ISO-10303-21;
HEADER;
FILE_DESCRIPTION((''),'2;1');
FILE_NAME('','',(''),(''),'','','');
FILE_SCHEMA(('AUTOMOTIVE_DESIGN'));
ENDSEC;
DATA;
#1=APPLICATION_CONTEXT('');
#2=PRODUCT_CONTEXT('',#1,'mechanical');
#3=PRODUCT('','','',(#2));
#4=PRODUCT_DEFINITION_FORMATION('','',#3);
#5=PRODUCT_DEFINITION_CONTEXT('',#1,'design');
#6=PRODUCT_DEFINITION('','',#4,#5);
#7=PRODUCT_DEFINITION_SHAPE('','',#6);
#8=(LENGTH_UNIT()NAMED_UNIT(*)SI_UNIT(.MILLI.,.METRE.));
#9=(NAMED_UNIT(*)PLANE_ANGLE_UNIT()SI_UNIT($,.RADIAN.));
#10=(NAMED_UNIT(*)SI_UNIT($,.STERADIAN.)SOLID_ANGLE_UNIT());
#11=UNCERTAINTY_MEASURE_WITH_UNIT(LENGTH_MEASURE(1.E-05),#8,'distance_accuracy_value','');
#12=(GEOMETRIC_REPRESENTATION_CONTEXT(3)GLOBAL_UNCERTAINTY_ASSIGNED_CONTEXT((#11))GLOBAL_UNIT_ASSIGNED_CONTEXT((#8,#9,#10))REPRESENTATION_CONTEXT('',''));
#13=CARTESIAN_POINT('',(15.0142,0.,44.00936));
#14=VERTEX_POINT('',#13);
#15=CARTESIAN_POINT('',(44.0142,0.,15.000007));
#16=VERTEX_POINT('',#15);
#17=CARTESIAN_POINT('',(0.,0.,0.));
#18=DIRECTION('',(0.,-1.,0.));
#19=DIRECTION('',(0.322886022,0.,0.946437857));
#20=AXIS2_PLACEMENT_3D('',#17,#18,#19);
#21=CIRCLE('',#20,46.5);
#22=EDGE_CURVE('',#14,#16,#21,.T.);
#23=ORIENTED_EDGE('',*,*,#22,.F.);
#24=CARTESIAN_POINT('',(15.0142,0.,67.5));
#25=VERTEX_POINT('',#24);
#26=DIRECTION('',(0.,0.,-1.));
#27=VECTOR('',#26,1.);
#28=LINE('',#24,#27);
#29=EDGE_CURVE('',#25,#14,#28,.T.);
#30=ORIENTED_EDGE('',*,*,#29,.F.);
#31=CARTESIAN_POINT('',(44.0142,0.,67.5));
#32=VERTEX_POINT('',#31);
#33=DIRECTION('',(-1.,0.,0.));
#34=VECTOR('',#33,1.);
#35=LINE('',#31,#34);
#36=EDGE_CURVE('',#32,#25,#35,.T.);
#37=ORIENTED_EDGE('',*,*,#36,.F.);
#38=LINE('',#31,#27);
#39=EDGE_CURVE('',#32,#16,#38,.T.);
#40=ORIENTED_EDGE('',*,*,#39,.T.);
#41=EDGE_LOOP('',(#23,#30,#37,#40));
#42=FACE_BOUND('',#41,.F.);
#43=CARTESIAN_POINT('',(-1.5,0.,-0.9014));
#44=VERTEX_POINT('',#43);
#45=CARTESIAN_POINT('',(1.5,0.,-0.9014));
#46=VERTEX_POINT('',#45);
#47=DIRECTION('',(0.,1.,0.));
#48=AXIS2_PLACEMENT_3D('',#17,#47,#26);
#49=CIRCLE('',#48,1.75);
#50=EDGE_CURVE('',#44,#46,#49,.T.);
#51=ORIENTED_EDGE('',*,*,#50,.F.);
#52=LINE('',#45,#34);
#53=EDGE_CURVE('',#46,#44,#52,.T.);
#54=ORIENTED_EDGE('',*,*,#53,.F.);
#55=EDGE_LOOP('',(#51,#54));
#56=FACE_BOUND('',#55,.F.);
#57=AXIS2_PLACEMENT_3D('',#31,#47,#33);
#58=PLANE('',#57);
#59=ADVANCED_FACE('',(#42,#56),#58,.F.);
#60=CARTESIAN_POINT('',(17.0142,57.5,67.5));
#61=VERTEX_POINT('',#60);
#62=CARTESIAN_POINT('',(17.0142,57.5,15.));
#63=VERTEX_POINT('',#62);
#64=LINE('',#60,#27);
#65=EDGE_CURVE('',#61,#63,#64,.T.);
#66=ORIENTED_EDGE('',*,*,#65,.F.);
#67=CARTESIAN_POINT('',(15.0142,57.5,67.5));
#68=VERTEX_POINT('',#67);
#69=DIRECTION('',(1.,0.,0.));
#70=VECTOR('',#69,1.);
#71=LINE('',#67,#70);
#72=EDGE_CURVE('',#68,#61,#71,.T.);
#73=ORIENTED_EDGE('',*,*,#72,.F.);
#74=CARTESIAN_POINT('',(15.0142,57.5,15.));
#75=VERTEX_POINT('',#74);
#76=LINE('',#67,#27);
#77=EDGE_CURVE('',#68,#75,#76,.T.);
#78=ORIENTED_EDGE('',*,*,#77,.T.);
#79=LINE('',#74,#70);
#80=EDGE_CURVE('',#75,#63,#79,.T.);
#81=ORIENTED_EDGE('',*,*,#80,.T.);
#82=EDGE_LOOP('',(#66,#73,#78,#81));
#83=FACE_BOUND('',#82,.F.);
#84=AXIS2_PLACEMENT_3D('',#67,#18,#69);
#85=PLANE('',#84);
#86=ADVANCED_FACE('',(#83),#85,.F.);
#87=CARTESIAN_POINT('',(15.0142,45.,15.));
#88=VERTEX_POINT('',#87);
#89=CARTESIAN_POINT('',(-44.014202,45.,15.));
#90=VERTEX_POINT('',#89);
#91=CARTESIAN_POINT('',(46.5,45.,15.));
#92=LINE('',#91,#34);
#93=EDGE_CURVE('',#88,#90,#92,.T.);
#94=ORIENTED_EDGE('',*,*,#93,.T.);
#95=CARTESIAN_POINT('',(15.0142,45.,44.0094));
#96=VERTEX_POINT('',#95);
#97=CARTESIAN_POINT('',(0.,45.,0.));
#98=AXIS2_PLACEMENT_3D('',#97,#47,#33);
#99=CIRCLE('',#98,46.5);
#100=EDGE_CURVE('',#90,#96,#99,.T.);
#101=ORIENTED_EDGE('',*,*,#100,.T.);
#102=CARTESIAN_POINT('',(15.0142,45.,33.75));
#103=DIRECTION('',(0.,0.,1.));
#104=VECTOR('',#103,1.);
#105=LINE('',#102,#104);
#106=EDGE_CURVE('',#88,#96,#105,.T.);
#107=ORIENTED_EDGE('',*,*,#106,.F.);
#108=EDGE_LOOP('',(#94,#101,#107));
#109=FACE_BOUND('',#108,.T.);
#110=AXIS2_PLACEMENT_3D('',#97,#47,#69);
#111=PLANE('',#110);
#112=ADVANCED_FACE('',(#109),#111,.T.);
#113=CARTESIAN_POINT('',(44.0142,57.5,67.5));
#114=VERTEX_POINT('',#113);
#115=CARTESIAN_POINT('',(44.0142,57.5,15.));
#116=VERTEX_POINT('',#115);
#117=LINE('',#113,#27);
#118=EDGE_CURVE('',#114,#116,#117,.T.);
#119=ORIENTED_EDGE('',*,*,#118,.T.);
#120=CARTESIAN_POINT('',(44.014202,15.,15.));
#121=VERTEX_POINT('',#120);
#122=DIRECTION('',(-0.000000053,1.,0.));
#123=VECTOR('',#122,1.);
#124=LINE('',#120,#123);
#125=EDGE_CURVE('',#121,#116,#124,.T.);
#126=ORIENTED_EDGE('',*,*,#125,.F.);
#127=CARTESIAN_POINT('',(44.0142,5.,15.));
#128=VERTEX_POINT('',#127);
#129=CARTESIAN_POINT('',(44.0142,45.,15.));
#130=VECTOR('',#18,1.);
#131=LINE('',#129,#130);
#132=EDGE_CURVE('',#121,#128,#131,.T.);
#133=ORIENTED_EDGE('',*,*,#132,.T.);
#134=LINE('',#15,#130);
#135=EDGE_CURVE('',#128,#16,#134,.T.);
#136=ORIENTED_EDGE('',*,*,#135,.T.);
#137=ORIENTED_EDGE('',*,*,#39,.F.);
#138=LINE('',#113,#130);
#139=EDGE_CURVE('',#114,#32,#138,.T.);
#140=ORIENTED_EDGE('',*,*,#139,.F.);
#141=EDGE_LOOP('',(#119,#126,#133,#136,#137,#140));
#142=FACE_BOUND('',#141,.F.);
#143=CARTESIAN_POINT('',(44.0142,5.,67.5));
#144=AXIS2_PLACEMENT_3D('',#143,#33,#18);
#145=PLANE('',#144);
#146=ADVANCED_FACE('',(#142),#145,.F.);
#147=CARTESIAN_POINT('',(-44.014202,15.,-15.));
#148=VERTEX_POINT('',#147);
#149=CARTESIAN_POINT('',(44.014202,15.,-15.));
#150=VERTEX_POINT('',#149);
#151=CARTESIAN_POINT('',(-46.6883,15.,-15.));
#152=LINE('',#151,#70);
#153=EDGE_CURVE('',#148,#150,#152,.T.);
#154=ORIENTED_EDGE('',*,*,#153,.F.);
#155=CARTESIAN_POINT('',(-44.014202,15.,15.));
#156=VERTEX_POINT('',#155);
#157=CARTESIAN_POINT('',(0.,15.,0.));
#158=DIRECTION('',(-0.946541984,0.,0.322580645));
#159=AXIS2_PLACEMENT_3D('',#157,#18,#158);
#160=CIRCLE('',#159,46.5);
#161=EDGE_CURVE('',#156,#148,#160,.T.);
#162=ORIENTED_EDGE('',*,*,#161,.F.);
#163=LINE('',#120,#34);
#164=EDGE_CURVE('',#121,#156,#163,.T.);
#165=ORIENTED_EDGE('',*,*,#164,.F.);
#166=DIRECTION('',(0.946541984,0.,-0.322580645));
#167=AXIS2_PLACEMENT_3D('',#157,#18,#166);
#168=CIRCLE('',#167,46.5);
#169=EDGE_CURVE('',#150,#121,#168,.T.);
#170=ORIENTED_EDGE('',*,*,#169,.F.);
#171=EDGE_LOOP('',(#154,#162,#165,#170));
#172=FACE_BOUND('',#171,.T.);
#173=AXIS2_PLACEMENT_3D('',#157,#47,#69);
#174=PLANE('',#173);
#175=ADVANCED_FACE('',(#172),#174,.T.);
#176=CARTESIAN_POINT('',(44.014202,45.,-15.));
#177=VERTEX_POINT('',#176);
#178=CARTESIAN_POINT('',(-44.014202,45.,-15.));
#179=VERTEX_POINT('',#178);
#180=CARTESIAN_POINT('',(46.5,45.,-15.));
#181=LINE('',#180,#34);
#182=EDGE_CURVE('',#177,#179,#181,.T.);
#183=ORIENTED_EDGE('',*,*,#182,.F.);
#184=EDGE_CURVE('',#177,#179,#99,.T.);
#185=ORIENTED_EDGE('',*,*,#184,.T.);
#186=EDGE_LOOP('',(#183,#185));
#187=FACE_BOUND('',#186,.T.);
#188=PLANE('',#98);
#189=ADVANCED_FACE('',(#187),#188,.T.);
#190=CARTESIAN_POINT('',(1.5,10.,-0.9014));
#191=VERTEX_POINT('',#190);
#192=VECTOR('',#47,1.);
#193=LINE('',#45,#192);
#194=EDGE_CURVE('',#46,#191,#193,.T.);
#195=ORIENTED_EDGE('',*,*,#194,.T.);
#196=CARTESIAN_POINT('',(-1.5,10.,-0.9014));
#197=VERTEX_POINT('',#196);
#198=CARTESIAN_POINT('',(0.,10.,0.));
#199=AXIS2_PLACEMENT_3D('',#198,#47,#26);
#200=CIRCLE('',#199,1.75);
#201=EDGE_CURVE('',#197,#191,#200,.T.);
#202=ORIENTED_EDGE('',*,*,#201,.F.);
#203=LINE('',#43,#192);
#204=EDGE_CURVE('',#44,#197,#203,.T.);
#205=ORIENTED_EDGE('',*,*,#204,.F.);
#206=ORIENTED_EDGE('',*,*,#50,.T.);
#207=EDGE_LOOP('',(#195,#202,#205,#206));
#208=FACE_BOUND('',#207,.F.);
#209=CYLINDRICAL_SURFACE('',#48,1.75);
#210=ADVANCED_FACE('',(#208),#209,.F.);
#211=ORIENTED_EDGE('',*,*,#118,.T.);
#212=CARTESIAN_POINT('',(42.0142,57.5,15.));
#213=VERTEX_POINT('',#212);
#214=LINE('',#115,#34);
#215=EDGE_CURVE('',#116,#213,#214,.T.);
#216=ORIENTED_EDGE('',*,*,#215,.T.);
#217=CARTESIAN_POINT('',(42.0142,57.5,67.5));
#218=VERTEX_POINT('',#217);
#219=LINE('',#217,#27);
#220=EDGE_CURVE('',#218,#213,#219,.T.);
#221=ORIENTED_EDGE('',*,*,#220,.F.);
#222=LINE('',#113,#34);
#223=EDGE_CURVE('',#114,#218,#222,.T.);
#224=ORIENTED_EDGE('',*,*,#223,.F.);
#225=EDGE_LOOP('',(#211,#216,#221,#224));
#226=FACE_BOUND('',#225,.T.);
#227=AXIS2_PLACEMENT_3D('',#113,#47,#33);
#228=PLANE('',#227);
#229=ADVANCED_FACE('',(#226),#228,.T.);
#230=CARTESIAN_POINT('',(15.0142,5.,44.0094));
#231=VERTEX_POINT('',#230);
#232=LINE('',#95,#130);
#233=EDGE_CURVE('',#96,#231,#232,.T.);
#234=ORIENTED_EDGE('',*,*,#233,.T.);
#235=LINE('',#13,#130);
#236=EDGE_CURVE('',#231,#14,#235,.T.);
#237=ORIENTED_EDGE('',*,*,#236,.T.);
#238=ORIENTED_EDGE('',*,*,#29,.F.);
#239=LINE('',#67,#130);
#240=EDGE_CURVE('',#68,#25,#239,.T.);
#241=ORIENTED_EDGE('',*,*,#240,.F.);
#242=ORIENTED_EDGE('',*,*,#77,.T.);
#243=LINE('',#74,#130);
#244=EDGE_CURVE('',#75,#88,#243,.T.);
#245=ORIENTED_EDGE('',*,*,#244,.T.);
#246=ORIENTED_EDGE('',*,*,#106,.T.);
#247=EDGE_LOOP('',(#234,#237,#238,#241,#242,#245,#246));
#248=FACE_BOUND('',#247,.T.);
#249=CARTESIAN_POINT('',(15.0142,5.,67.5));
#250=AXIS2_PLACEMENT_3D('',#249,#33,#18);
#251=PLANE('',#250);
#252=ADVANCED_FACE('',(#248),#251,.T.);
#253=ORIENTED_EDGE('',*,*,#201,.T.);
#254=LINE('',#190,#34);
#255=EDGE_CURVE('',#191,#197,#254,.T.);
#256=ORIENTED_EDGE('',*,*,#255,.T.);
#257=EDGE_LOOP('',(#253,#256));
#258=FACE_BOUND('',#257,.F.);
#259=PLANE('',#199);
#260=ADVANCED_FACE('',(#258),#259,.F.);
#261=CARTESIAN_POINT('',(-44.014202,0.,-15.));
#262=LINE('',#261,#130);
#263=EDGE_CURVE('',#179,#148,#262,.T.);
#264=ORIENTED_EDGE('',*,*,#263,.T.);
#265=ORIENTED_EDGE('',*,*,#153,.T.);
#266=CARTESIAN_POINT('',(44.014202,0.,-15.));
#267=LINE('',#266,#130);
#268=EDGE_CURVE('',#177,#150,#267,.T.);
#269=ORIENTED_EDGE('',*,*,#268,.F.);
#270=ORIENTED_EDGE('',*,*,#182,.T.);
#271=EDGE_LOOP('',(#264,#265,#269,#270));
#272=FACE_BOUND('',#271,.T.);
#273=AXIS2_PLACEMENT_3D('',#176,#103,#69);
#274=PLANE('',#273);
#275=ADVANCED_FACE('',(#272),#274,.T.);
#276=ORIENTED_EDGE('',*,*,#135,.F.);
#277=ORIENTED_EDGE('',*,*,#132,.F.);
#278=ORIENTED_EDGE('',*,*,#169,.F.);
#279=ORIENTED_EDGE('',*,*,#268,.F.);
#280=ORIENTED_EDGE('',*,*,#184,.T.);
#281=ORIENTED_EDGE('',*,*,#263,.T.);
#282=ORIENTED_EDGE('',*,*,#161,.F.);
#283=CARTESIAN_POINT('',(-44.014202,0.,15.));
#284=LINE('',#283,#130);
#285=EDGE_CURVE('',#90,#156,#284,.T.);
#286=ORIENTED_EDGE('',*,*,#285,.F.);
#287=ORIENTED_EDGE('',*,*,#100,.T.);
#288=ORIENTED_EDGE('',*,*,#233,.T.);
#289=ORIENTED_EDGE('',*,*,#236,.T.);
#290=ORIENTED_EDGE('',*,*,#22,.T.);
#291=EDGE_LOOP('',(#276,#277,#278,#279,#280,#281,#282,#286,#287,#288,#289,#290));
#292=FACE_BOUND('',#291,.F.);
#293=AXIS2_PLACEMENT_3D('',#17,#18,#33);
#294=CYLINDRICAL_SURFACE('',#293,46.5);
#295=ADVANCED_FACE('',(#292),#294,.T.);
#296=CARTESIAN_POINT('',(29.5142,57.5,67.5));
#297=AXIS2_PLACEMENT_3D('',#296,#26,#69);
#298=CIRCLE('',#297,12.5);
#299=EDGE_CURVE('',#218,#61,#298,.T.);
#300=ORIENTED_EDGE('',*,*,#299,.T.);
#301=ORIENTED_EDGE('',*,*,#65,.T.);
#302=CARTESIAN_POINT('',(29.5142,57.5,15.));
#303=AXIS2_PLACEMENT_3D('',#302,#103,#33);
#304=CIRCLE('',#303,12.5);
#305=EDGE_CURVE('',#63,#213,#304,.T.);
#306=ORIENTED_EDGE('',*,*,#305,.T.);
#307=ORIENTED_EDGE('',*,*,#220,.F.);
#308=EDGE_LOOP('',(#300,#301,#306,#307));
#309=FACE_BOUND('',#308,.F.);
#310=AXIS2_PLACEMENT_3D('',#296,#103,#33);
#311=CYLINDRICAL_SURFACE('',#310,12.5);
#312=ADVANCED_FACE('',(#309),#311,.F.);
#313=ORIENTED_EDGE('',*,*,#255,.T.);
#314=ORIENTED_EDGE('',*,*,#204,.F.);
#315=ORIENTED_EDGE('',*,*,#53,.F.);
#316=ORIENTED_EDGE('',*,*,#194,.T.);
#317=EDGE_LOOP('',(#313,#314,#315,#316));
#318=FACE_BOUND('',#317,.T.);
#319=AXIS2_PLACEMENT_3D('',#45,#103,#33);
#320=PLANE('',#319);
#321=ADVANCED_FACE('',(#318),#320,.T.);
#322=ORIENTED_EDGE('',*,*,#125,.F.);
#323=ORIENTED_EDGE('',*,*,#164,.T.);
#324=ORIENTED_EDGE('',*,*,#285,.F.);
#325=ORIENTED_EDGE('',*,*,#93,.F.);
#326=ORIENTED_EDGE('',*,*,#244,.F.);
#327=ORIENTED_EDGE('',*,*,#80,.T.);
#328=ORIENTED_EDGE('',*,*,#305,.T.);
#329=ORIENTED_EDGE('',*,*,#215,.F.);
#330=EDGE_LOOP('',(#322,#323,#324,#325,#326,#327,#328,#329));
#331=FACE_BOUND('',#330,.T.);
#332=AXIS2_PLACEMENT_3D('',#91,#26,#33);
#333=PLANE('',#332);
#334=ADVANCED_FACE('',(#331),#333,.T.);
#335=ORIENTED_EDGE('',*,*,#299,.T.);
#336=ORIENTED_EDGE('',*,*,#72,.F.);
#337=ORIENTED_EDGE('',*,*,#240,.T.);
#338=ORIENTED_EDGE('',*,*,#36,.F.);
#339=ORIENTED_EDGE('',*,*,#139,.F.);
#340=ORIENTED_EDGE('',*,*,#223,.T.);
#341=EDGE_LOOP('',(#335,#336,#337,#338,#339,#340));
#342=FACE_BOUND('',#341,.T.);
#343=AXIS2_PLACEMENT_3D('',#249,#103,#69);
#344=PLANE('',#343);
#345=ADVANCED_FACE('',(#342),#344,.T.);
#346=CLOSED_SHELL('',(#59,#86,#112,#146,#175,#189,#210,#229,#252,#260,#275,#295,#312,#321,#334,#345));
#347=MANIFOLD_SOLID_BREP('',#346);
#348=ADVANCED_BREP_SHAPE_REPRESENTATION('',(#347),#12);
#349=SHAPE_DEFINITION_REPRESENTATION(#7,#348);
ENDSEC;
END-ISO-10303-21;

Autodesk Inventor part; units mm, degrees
ref_plane "YZ Plane" through (0, 0, 0) normal (1, 0, 0) x (0, 1, 0)
ref_plane "XZ Plane" through (0, 0, 0) normal (0, 1, 0) x (-1, 0, 0)
ref_plane "XY Plane" through (0, 0, 0) normal (0, 0, 1) x (1, 0, 0)
sketch "Boceto1" plane through (0, 0, 0) normal (0, 1, 0) x (-1, 0, 0)
  circle A0 centre (0, 0) radius 46.5
  dimension "d0" = 93
extrude "Extrusión1" add sketch "Boceto1" along normal blind 45
sketch "Boceto2" plane through (0, 0, 0) normal (0, -1, 0) x (1, 0, 0)
  point P0 (0, 0)
sketch "Boceto3" plane through (0, 45, 0) normal (0, 1, 0) x (1, 0, 0)
  line L0 (46.5, -15) -> (-46.6883, -15)
  circle A0 centre (0, 0) radius 46.5 projected
  line L1 (46.5, -15) -> (46.5, 15)
  line L2 (46.5, 0) -> (46.5, -15)
  line L3 (46.5, 0) -> (46.5, 15)
  line L4 (-46.6883, -15) -> (-46.6883, 15)
  line L5 (-46.6883, 15) -> (46.5, 15)
extrude "Extrusión2" cut sketch "Boceto3" against normal blind 30 contours L0 A0 L1 | L0 A0 L5 | A0 L5 L1 | L0 L4 L5 A0
sketch "Boceto4" plane through (0, 45, 0) normal (0, 1, 0) x (1, 0, 0)
  circle A0 centre (0, 0) radius 46.5 projected
  point P0 (-44.0142, -15)
  point P1 (44.0142, -15)
sketch "Boceto5" plane through (0, 45, 0) normal (0, 1, 0) x (1, 0, 0)
  line L0 (-20.0239, -77.8543) -> (-20, -77.821)
  point P0 (0, 0)
  point P1 (-20, -41.9792)
  point P2 (0, 0)
  point P3 (0, 0)
extrude "Extrusión3" [suppressed]
sketch "Boceto6" plane through (0, 45, 0) normal (0, 1, 0) x (1, 0, 0)
  point P0 (0, 0)
sketch "Boceto7" plane through (0, 45, 0) normal (0, 1, 0) x (1, 0, 0)
  point P0 (0, 0)
sketch "Boceto8" plane through (0, 45, 0) normal (0, 1, 0) x (1, 0, 0)
  point P0 (0, 0)
sketch "Boceto9" plane through (0, 0, 0) normal (0, -1, 0) x (1, 0, 0)
  arc A0 (-44.0142, -15) -> (-44.0142, 15) centre (0, 0) ccw projected
  point P0 (5, 46.2304)
  point P1 (19.0142, 42.4348)
hole "Agujero1" at (0, 0, 0) direction (0, 1, 0) diameter 3.5 depth 10
sketch "Boceto10" plane through (0, 0, 0) normal (0, -1, 0) x (1, 0, 0)
  point P0 (0, 0)
sketch "Boceto11" plane through (0, 0, 0) normal (0, -1, 0) x (1, 0, 0)
  point P0 (0, 0)
sketch "Boceto12" plane through (0, 0, 0) normal (0, -1, 0) x (1, 0, 0)
  line L0 (1.5, -0.9014) -> (-1.5, -0.9014)
  arc A0 (-1.5, -0.9014) -> (1.5, -0.9014) centre (0, 0) ccw
extrude "Extrusión4" add sketch "Boceto12" against normal blind 10
sketch "Boceto13" plane through (5, 40, 88) normal (0, 0, 1) x (1, 0, 0)
  point P0 (-5, -40)
  point P1 (39.0142, 0)
sketch "Boceto14" plane through (5, 40, 88) normal (0, 0, 1) x (1, 0, 0)
  point P0 (-5, -40)
sketch "Boceto15" plane through (5, 40, 88) normal (0, 0, 1) x (1, 0, 0)
  point P0 (-5, -40)
  point P1 (39.0142, 0)
sketch "Boceto16" plane through (5, 40, 88) normal (0, 0, 1) x (1, 0, 0)
  point P0 (-5, -40)
  point P1 (0, 0)
  point P2 (39.0142, 0)
sketch "Boceto17" plane through (5, 40, 88) normal (0, 0, 1) x (1, 0, 0)
  point P0 (-5, -40)
  point P1 (39.0586, 0)
  point P2 (0, 0)
sketch "Boceto18" plane through (5, 40, 88) normal (0, 0, 1) x (1, 0, 0)
  line L0 (0, -40) -> (0, 0) projected
  line L1 (39.0142, -40) -> (0, -40) projected
  line L2 (39.0142, 20) -> (39.0142, -40)
  line L3 (0, 20) -> (0, -40)
  line L4 (0, -40) -> (39.0142, -40)
  line L5 (0, 20) -> (2, 20)
  line L6 (39.0142, 20) -> (38, 20)
  arc A0 (2, 20) -> (38, 20) centre (20, 18.1) ccw
  point P0 (-5, -40)
extrude "Extrusión5" [suppressed]
sketch "Boceto19" plane through (0, 15, 0) normal (0, 1, 0) x (1, 0, 0)
  point P0 (0, 0)
sketch "Boceto20" plane through (0, 45, 0) normal (0, 1, 0) x (1, 0, 0)
  point P0 (0, 0)
sketch "Boceto21" plane through (0, 45, 0) normal (0, 1, 0) x (1, 0, 0)
  point P0 (0, 0)
sketch "Boceto22" plane through (0, 45, 0) normal (0, 1, 0) x (1, 0, 0)
  point P0 (0, 0)
sketch "Boceto23" plane through (19.0142, 40, 67.4096) normal (0, 0, 1) x (1, 0, 0)
  line L0 (25, 0) -> (-63.0284, 0) projected
  point P0 (-19.0142, -40)
sketch "Boceto24" plane through (0, 45, 0) normal (0, 1, 0) x (1, 0, 0)
  arc A0 (-1.5, 0.9014) -> (1.5, 0.9014) centre (0, 0) ccw projected
  arc A1 (15.0142, -44.0094) -> (44.0142, -15) centre (0, 0) ccw
  circle A2 centre (0, 0) radius 46.5 projected
  arc A3 (-44.0142, -15) -> (44.0142, -15) centre (0, 0) ccw projected
  line L0 (44.0142, -15) -> (44.0142, -67.5)
  line L1 (44.0142, -67.5) -> (15.0142, -67.5)
  line L2 (15.0142, -67.5) -> (15.0142, -44.0094)
extrude "Extrusión6" add sketch "Boceto24" against normal blind 40 contours A1 L0 L1 L2
sketch "Boceto25" plane through (15.0142, 45, 67.5) normal (0, 0, 1) x (1, 0, 0)
  line L0 (29, 0) -> (29, 12.5)
  line L1 (29, 12.5) -> (27, 12.5)
  line L2 (0, 12.5) -> (2, 12.5)
  arc A0 (2, 12.5) -> (27, 12.5) centre (14.5, 12.5) ccw
  line L3 (29, -40) -> (0, -40) projected
  line L4 (0, 12.5) -> (0, -40)
  line L5 (0, -40) -> (29, -40)
  line L6 (29, -40) -> (29, 0)
  point P0 (0, 0)
sketch "Boceto26" plane through (0, 45, 0) normal (0, 1, 0) x (1, 0, 0)
  point P0 (0, 0)
extrude "Extrusión7" add sketch "Boceto25" against normal blind 52.5
sketch "Boceto27" plane through (15.0142, 5, 67.5) normal (0, 0, 1) x (1, 0, 0)
  point P0 (-15.0142, -5)
sketch "Boceto28" plane through (15.0142, 5, 67.5) normal (0, 0, 1) x (1, 0, 0)
  line L0 (0, 0) -> (0, -5)
  line L1 (29, 0) -> (29, -5)
  line L2 (29, -5) -> (0, -5)
  line L3 (0, 0) -> (29, 0) projected
  line L4 (29, 0) -> (0, 0)
  point P0 (-15.0142, -5)
extrude "Extrusión8" add sketch "Boceto28" against normal blind 70
properties part number "cilindro"
